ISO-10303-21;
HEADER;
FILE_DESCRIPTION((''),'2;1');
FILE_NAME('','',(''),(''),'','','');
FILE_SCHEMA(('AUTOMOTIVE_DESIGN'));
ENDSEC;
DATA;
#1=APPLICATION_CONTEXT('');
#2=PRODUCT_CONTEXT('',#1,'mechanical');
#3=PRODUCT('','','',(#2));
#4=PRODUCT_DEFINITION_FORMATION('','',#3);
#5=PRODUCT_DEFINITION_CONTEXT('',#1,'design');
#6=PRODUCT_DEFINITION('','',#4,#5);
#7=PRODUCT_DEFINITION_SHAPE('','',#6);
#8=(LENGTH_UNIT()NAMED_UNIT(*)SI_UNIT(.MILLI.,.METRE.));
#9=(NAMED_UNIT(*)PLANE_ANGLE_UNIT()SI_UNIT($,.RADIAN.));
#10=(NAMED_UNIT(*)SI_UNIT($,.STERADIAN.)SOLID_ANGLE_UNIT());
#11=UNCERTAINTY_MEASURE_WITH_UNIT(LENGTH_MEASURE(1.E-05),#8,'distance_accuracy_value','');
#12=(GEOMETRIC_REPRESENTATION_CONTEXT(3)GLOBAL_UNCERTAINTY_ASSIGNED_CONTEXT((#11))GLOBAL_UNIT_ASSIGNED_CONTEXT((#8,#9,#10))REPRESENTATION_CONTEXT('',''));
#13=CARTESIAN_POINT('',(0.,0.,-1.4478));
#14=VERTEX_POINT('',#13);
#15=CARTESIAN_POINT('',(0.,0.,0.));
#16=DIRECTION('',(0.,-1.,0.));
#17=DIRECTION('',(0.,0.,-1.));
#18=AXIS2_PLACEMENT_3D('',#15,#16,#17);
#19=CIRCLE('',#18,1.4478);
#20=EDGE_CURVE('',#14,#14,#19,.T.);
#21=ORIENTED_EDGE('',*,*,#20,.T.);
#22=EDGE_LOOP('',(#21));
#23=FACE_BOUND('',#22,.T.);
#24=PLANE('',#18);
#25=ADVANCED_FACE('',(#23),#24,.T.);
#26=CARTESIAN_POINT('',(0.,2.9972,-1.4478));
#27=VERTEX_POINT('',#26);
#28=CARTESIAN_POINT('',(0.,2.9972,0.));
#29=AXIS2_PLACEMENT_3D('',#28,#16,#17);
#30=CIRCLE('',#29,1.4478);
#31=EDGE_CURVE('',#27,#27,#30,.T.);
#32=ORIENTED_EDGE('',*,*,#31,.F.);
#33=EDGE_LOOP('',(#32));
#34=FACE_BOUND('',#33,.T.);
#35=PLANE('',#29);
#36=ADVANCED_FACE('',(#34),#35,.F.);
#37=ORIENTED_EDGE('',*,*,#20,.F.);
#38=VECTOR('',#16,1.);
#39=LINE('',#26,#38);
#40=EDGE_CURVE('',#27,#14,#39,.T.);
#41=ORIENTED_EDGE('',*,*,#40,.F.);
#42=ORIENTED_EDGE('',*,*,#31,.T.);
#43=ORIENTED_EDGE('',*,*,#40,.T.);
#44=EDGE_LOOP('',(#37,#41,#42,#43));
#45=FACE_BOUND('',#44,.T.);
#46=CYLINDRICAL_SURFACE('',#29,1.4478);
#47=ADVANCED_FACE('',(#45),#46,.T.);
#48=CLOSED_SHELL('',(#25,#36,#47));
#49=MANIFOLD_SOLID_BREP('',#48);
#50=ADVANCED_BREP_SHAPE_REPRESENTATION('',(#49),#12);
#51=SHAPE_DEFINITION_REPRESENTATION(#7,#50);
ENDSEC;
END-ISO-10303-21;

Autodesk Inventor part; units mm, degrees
sketch "Sketch_1" plane through (0, 0, 0) normal (1, 0, 0) x (0, 1, 0)
  line L0 (0, 0) -> (2.9972, 0)
  line L1 (2.9972, 0) -> (2.9972, -1.4478)
  line L2 (2.9972, -1.4478) -> (0, -1.4478)
  line L3 (0, -1.4478) -> (0, 0)
  line L4 (0, 0) -> (2.9972, 0)
revolve "Revolution1" add sketch "Sketch_1" angle 360 about axis through (0, 0, 0) along (0, -1, 0)
ref_plane "to_bushing_XY" through (0, 0, 0) normal (0, 1, 0) x (1, 0, 0)
ref_plane "to_bushing_YZ" through (0, 0, 0) normal (1, 0, 0) x (0, 0, -1)
ref_plane "to_bushing_ZX" through (0, 0, 0) normal (0, 0, -1) x (0, 1, 0)
ref_plane "to_caps_S_XY" through (0, 2.3114, 0) normal (0, 1, 0) x (1, 0, 0)
ref_plane "to_caps_S_YZ" through (0, 2.3114, 0) normal (1, 0, 0) x (0, 0, -1)
ref_plane "to_caps_S_ZX" through (0, 2.3114, 0) normal (0, 0, -1) x (0, 1, 0)
properties part number "MB2011S-plunger"
